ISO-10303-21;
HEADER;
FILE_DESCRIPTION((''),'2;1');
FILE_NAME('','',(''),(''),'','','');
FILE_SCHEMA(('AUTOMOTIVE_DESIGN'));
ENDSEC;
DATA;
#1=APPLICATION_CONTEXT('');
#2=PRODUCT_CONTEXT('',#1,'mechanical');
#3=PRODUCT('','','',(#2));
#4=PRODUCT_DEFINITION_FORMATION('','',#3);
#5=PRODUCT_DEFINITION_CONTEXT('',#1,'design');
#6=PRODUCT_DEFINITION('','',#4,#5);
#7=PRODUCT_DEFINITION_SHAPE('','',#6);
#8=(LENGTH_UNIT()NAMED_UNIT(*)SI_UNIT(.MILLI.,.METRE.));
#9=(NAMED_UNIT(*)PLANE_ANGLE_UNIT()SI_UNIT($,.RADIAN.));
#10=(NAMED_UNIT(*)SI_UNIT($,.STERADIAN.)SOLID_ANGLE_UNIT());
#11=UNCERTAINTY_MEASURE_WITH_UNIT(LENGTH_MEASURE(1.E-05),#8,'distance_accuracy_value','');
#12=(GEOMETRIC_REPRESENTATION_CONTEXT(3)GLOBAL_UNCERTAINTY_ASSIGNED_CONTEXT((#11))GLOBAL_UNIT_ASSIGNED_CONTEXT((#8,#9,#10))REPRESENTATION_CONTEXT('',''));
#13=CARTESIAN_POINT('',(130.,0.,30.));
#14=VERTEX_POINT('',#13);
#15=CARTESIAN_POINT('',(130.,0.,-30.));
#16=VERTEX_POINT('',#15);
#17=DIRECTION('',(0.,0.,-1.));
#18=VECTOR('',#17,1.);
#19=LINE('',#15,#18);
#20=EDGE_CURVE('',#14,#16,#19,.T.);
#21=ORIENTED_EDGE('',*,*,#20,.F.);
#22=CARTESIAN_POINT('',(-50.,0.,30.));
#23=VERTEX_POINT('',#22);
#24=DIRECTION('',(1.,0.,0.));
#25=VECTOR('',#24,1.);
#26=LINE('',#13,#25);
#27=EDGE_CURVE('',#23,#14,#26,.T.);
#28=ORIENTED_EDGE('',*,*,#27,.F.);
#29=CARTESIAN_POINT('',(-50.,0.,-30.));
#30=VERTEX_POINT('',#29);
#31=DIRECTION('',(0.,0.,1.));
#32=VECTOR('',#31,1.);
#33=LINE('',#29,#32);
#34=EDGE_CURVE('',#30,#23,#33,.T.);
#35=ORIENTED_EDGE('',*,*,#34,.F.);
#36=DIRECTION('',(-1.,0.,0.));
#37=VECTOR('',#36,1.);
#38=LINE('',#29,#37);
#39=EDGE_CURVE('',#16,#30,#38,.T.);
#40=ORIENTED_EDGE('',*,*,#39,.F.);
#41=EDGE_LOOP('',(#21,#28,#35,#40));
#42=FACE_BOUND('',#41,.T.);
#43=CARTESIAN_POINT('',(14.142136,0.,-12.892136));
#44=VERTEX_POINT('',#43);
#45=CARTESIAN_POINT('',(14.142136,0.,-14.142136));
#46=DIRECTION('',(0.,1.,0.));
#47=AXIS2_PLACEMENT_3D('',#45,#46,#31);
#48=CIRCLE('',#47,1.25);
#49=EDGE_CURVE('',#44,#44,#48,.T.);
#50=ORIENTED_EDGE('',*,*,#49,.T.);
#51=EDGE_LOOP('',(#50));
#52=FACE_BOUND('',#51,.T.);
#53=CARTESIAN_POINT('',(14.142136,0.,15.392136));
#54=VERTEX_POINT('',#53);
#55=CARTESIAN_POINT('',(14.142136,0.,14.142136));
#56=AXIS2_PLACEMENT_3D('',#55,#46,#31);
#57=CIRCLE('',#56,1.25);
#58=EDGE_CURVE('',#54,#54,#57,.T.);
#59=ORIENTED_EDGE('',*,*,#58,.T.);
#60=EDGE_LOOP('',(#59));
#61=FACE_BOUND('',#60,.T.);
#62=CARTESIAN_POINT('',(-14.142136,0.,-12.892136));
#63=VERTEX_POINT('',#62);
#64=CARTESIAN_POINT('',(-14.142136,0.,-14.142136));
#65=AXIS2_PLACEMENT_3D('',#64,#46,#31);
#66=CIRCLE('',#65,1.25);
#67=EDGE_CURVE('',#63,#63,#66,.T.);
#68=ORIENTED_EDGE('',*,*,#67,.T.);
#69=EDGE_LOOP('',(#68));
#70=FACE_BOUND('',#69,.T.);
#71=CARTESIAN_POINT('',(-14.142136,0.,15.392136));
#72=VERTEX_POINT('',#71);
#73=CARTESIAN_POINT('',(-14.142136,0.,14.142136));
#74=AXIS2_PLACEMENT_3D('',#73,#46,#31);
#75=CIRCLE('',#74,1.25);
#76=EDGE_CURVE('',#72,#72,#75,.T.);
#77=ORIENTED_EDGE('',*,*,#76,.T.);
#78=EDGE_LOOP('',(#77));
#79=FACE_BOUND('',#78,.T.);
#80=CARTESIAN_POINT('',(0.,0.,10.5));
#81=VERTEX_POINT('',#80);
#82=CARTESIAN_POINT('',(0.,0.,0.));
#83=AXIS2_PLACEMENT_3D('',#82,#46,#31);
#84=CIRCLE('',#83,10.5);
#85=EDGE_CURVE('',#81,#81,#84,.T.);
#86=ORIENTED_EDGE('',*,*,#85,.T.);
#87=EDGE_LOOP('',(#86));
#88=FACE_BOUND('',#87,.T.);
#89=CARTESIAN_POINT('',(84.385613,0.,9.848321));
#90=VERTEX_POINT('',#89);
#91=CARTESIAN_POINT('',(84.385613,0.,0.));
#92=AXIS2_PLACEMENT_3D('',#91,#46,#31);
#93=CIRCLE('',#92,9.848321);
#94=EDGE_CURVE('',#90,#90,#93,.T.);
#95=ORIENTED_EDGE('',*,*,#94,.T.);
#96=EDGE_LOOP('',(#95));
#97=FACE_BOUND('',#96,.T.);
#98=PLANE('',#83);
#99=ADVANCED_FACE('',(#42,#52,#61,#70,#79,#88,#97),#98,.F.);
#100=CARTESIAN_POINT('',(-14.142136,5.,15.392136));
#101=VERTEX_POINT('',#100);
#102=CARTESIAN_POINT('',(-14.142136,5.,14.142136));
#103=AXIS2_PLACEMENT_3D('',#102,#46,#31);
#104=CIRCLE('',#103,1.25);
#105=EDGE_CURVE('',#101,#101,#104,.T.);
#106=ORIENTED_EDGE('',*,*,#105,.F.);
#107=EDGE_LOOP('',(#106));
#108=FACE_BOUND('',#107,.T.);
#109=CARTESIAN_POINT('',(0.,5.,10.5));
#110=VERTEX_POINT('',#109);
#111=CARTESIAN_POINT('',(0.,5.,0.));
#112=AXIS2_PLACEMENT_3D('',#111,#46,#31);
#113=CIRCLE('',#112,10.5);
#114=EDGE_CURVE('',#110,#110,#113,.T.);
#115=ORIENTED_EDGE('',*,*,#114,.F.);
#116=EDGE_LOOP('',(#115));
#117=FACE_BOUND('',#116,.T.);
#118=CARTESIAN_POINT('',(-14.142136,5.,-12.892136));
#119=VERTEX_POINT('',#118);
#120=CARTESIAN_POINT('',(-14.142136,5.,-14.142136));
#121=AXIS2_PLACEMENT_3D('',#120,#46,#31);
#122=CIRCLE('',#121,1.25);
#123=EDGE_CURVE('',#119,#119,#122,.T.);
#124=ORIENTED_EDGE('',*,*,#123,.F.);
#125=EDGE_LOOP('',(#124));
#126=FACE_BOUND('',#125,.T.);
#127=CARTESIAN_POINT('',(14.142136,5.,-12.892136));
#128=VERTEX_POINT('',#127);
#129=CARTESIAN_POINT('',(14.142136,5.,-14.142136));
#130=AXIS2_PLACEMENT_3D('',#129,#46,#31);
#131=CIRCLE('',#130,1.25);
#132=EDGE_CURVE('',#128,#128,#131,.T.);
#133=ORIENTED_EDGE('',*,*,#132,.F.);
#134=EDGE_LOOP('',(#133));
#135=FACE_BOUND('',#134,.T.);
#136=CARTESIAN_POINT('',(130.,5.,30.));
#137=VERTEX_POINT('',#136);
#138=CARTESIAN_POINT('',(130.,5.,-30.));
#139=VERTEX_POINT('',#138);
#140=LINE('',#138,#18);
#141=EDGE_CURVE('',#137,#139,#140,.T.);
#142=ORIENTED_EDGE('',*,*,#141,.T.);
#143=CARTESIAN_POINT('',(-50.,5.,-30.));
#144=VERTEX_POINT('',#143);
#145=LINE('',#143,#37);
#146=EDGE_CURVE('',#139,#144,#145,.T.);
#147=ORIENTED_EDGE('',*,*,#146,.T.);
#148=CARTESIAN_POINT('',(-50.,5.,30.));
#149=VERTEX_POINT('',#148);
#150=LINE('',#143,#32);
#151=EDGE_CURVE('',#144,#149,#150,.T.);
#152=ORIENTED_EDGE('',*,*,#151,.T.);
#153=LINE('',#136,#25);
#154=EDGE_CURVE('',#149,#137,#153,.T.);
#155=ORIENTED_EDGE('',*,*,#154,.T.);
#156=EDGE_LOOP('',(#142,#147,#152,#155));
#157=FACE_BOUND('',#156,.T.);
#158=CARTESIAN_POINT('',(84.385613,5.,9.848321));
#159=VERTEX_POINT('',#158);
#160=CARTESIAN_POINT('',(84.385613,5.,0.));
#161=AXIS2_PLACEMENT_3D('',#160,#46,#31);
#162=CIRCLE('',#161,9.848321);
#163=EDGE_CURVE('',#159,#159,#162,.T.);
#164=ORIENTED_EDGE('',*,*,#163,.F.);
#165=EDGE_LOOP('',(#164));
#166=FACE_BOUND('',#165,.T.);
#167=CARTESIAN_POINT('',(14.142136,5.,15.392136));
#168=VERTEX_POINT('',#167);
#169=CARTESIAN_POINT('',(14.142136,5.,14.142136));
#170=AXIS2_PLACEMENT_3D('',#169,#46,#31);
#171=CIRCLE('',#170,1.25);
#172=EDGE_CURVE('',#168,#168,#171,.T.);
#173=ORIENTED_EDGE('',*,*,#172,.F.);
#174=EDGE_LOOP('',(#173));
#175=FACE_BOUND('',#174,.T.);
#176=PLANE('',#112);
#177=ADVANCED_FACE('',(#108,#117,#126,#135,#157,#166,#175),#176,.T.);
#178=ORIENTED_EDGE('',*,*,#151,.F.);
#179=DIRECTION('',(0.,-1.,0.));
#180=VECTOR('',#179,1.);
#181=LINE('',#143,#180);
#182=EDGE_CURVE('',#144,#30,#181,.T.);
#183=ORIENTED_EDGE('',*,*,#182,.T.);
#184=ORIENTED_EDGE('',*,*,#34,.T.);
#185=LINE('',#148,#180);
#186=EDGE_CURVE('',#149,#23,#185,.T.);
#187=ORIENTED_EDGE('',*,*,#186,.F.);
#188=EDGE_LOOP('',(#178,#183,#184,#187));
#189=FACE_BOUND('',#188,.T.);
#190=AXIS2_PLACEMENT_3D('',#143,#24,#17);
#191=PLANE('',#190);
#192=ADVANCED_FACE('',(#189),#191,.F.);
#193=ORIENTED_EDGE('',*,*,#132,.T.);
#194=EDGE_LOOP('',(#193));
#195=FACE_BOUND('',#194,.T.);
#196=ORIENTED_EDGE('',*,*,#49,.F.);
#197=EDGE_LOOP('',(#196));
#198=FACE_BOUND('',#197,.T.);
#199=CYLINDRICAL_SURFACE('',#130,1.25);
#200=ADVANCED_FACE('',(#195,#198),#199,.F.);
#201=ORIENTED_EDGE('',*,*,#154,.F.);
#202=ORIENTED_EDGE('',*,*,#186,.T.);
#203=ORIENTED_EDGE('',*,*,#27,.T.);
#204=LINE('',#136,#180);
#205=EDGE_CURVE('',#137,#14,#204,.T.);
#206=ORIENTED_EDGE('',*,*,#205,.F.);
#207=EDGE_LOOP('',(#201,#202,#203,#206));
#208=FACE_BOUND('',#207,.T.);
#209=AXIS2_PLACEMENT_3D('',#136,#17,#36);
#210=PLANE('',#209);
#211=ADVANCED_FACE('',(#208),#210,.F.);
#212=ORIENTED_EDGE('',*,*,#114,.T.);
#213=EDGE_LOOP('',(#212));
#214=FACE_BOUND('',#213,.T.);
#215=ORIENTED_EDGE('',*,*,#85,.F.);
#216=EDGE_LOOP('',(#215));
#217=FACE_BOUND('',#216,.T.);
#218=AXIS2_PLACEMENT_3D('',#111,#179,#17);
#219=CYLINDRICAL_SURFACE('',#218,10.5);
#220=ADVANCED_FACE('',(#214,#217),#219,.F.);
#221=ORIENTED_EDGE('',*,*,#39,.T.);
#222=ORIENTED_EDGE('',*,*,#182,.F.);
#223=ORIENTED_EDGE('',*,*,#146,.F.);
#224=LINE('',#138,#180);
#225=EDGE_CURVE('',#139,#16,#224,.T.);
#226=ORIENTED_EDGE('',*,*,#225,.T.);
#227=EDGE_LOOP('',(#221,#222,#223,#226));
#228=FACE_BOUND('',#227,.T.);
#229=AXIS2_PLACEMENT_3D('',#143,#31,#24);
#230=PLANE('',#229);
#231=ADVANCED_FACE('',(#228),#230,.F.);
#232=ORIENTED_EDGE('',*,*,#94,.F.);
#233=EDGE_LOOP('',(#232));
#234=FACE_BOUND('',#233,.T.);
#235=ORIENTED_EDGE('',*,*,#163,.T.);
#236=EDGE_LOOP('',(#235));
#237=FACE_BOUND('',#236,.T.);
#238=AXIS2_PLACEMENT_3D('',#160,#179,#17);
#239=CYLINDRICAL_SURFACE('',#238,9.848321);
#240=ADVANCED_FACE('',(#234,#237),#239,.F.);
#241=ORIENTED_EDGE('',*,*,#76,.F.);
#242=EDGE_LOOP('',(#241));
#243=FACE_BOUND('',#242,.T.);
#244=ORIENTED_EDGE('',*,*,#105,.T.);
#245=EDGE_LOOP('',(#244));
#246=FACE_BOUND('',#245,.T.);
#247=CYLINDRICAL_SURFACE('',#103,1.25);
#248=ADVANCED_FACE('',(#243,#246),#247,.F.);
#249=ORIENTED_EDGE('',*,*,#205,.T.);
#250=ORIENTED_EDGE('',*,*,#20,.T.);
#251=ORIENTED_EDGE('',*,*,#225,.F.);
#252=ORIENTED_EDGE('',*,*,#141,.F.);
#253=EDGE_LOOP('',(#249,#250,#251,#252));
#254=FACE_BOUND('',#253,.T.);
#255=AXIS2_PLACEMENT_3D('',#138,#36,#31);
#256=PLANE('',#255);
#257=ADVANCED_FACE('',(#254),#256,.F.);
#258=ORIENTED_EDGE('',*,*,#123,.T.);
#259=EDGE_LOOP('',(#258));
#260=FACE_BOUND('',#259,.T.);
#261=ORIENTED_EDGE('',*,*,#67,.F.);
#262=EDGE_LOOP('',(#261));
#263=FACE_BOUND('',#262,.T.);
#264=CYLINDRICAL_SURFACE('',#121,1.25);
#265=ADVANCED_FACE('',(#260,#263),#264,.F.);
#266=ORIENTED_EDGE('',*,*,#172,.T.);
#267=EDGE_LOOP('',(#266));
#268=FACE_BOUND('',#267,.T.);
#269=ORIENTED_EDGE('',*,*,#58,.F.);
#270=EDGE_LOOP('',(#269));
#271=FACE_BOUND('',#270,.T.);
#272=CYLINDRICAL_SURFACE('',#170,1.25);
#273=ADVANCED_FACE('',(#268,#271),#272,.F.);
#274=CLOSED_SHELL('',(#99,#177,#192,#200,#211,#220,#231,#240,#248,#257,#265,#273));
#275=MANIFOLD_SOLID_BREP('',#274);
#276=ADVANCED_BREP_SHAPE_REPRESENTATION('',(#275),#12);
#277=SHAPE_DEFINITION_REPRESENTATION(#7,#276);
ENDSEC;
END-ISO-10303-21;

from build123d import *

# Parameters (mm, degrees)
SKETCH1_W             = 180
SKETCH1_H             = 60
SKETCH1_R             = 10.5
SKETCH1_R_2           = 9.848320848
BOSS_EXTRUDE1_DEPTH   = 5
M3X0_5_TAPPED_HOLE1_D = 2.5


with BuildPart() as part:
    # Sketch1 → Boss-Extrude1 (new body)
    with BuildSketch(Plane(origin=(0, 0, 0), x_dir=(1, 0, 0), z_dir=(0, 1, 0))):
        with Locations((40, 0)):
            Rectangle(SKETCH1_W, SKETCH1_H)
        with Locations(Location((0, 0, 0), (0, 0, 270))):
            Circle(SKETCH1_R, mode=Mode.SUBTRACT)
        with Locations(Location((84.38561279, 0, 0), (0, 0, 270))):
            Circle(SKETCH1_R_2, mode=Mode.SUBTRACT)
    extrude(amount=BOSS_EXTRUDE1_DEPTH)

    # M3x0.5 Tapped Hole1 (through all)
    with Locations(Plane(origin=(0, 5, 0), x_dir=(1, 0, 0), z_dir=(0, 1, 0))):
        with Locations((-14.142135624, 14.142135624), (14.142135624, 14.142135624), (14.142135624, -14.142135624), (-14.142135624, -14.142135624), (0, 0)):
            Hole(M3X0_5_TAPPED_HOLE1_D / 2)


solid = part.part
